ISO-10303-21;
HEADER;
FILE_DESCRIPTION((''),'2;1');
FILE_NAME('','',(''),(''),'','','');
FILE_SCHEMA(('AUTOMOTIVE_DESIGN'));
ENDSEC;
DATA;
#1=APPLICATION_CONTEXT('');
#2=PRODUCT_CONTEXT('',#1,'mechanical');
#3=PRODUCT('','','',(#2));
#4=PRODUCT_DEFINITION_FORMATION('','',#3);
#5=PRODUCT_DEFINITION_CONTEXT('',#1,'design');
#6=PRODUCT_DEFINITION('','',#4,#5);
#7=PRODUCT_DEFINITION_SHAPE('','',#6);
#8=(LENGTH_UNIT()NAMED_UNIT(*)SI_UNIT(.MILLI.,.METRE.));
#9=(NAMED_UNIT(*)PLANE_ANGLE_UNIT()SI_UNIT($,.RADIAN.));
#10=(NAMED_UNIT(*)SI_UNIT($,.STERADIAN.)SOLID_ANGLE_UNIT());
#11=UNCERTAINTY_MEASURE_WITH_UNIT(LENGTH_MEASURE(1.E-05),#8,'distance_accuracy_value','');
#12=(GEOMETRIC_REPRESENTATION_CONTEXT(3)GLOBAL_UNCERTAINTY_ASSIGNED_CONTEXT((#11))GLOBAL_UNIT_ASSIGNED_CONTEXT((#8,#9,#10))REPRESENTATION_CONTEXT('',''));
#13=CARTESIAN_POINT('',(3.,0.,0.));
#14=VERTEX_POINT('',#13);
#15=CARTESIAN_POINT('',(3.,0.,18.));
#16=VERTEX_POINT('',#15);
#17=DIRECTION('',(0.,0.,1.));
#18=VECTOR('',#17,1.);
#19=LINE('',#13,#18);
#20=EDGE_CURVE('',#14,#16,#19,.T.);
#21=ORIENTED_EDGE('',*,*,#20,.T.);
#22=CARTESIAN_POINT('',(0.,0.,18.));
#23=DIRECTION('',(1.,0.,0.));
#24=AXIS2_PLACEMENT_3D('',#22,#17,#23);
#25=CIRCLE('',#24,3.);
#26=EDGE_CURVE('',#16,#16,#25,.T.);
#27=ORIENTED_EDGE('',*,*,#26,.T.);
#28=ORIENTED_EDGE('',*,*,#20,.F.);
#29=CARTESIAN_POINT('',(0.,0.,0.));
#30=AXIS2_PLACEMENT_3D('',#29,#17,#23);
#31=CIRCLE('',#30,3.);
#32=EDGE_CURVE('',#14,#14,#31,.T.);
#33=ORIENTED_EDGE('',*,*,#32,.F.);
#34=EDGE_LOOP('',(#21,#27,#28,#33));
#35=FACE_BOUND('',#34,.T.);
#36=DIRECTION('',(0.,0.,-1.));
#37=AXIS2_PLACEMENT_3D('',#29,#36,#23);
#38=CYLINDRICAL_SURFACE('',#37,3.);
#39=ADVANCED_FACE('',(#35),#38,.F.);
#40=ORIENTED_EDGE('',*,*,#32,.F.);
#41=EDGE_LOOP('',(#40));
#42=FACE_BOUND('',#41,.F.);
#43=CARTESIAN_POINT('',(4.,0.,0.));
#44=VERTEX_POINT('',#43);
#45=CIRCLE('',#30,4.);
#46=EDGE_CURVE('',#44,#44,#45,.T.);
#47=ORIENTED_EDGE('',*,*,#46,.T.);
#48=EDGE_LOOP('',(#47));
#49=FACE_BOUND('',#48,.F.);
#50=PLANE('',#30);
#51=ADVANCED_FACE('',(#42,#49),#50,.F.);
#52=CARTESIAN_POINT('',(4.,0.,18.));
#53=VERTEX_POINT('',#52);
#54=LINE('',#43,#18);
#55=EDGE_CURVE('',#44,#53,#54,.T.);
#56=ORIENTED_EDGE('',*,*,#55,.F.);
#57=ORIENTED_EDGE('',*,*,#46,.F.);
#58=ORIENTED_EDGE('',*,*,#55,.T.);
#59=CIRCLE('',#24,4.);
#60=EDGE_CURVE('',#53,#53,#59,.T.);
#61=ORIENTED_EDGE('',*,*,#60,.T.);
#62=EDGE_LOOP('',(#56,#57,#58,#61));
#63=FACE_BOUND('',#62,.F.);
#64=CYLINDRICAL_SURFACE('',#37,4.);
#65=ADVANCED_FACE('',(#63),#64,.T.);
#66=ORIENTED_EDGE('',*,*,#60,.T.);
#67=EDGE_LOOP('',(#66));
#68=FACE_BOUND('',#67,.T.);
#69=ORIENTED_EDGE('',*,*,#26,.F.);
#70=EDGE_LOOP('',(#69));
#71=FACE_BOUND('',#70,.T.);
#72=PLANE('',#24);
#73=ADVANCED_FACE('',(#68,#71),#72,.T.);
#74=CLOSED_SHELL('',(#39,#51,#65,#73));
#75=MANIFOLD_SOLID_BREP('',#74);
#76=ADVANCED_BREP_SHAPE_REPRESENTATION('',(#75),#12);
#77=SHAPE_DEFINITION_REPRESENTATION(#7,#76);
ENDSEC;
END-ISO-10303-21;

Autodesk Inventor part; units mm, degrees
ref_plane "YZ Plane" through (0, 0, 0) normal (1, 0, 0) x (0, 1, 0)
ref_plane "XZ Plane" through (0, 0, 0) normal (0, 1, 0) x (-1, 0, 0)
ref_plane "XY Plane" through (0, 0, 0) normal (0, 0, 1) x (1, 0, 0)
sketch "Sketch1" plane through (0, 0, 0) normal (0, 0, 1) x (1, 0, 0)
  circle A0 centre (0, 0) radius 3
  circle A1 centre (0, 0) radius 4
  dimension "d0" = 6
  dimension "d1" = 8
extrude "Extrusion1" add sketch "Sketch1" along normal blind 18
properties part number "18mmSpacer"
